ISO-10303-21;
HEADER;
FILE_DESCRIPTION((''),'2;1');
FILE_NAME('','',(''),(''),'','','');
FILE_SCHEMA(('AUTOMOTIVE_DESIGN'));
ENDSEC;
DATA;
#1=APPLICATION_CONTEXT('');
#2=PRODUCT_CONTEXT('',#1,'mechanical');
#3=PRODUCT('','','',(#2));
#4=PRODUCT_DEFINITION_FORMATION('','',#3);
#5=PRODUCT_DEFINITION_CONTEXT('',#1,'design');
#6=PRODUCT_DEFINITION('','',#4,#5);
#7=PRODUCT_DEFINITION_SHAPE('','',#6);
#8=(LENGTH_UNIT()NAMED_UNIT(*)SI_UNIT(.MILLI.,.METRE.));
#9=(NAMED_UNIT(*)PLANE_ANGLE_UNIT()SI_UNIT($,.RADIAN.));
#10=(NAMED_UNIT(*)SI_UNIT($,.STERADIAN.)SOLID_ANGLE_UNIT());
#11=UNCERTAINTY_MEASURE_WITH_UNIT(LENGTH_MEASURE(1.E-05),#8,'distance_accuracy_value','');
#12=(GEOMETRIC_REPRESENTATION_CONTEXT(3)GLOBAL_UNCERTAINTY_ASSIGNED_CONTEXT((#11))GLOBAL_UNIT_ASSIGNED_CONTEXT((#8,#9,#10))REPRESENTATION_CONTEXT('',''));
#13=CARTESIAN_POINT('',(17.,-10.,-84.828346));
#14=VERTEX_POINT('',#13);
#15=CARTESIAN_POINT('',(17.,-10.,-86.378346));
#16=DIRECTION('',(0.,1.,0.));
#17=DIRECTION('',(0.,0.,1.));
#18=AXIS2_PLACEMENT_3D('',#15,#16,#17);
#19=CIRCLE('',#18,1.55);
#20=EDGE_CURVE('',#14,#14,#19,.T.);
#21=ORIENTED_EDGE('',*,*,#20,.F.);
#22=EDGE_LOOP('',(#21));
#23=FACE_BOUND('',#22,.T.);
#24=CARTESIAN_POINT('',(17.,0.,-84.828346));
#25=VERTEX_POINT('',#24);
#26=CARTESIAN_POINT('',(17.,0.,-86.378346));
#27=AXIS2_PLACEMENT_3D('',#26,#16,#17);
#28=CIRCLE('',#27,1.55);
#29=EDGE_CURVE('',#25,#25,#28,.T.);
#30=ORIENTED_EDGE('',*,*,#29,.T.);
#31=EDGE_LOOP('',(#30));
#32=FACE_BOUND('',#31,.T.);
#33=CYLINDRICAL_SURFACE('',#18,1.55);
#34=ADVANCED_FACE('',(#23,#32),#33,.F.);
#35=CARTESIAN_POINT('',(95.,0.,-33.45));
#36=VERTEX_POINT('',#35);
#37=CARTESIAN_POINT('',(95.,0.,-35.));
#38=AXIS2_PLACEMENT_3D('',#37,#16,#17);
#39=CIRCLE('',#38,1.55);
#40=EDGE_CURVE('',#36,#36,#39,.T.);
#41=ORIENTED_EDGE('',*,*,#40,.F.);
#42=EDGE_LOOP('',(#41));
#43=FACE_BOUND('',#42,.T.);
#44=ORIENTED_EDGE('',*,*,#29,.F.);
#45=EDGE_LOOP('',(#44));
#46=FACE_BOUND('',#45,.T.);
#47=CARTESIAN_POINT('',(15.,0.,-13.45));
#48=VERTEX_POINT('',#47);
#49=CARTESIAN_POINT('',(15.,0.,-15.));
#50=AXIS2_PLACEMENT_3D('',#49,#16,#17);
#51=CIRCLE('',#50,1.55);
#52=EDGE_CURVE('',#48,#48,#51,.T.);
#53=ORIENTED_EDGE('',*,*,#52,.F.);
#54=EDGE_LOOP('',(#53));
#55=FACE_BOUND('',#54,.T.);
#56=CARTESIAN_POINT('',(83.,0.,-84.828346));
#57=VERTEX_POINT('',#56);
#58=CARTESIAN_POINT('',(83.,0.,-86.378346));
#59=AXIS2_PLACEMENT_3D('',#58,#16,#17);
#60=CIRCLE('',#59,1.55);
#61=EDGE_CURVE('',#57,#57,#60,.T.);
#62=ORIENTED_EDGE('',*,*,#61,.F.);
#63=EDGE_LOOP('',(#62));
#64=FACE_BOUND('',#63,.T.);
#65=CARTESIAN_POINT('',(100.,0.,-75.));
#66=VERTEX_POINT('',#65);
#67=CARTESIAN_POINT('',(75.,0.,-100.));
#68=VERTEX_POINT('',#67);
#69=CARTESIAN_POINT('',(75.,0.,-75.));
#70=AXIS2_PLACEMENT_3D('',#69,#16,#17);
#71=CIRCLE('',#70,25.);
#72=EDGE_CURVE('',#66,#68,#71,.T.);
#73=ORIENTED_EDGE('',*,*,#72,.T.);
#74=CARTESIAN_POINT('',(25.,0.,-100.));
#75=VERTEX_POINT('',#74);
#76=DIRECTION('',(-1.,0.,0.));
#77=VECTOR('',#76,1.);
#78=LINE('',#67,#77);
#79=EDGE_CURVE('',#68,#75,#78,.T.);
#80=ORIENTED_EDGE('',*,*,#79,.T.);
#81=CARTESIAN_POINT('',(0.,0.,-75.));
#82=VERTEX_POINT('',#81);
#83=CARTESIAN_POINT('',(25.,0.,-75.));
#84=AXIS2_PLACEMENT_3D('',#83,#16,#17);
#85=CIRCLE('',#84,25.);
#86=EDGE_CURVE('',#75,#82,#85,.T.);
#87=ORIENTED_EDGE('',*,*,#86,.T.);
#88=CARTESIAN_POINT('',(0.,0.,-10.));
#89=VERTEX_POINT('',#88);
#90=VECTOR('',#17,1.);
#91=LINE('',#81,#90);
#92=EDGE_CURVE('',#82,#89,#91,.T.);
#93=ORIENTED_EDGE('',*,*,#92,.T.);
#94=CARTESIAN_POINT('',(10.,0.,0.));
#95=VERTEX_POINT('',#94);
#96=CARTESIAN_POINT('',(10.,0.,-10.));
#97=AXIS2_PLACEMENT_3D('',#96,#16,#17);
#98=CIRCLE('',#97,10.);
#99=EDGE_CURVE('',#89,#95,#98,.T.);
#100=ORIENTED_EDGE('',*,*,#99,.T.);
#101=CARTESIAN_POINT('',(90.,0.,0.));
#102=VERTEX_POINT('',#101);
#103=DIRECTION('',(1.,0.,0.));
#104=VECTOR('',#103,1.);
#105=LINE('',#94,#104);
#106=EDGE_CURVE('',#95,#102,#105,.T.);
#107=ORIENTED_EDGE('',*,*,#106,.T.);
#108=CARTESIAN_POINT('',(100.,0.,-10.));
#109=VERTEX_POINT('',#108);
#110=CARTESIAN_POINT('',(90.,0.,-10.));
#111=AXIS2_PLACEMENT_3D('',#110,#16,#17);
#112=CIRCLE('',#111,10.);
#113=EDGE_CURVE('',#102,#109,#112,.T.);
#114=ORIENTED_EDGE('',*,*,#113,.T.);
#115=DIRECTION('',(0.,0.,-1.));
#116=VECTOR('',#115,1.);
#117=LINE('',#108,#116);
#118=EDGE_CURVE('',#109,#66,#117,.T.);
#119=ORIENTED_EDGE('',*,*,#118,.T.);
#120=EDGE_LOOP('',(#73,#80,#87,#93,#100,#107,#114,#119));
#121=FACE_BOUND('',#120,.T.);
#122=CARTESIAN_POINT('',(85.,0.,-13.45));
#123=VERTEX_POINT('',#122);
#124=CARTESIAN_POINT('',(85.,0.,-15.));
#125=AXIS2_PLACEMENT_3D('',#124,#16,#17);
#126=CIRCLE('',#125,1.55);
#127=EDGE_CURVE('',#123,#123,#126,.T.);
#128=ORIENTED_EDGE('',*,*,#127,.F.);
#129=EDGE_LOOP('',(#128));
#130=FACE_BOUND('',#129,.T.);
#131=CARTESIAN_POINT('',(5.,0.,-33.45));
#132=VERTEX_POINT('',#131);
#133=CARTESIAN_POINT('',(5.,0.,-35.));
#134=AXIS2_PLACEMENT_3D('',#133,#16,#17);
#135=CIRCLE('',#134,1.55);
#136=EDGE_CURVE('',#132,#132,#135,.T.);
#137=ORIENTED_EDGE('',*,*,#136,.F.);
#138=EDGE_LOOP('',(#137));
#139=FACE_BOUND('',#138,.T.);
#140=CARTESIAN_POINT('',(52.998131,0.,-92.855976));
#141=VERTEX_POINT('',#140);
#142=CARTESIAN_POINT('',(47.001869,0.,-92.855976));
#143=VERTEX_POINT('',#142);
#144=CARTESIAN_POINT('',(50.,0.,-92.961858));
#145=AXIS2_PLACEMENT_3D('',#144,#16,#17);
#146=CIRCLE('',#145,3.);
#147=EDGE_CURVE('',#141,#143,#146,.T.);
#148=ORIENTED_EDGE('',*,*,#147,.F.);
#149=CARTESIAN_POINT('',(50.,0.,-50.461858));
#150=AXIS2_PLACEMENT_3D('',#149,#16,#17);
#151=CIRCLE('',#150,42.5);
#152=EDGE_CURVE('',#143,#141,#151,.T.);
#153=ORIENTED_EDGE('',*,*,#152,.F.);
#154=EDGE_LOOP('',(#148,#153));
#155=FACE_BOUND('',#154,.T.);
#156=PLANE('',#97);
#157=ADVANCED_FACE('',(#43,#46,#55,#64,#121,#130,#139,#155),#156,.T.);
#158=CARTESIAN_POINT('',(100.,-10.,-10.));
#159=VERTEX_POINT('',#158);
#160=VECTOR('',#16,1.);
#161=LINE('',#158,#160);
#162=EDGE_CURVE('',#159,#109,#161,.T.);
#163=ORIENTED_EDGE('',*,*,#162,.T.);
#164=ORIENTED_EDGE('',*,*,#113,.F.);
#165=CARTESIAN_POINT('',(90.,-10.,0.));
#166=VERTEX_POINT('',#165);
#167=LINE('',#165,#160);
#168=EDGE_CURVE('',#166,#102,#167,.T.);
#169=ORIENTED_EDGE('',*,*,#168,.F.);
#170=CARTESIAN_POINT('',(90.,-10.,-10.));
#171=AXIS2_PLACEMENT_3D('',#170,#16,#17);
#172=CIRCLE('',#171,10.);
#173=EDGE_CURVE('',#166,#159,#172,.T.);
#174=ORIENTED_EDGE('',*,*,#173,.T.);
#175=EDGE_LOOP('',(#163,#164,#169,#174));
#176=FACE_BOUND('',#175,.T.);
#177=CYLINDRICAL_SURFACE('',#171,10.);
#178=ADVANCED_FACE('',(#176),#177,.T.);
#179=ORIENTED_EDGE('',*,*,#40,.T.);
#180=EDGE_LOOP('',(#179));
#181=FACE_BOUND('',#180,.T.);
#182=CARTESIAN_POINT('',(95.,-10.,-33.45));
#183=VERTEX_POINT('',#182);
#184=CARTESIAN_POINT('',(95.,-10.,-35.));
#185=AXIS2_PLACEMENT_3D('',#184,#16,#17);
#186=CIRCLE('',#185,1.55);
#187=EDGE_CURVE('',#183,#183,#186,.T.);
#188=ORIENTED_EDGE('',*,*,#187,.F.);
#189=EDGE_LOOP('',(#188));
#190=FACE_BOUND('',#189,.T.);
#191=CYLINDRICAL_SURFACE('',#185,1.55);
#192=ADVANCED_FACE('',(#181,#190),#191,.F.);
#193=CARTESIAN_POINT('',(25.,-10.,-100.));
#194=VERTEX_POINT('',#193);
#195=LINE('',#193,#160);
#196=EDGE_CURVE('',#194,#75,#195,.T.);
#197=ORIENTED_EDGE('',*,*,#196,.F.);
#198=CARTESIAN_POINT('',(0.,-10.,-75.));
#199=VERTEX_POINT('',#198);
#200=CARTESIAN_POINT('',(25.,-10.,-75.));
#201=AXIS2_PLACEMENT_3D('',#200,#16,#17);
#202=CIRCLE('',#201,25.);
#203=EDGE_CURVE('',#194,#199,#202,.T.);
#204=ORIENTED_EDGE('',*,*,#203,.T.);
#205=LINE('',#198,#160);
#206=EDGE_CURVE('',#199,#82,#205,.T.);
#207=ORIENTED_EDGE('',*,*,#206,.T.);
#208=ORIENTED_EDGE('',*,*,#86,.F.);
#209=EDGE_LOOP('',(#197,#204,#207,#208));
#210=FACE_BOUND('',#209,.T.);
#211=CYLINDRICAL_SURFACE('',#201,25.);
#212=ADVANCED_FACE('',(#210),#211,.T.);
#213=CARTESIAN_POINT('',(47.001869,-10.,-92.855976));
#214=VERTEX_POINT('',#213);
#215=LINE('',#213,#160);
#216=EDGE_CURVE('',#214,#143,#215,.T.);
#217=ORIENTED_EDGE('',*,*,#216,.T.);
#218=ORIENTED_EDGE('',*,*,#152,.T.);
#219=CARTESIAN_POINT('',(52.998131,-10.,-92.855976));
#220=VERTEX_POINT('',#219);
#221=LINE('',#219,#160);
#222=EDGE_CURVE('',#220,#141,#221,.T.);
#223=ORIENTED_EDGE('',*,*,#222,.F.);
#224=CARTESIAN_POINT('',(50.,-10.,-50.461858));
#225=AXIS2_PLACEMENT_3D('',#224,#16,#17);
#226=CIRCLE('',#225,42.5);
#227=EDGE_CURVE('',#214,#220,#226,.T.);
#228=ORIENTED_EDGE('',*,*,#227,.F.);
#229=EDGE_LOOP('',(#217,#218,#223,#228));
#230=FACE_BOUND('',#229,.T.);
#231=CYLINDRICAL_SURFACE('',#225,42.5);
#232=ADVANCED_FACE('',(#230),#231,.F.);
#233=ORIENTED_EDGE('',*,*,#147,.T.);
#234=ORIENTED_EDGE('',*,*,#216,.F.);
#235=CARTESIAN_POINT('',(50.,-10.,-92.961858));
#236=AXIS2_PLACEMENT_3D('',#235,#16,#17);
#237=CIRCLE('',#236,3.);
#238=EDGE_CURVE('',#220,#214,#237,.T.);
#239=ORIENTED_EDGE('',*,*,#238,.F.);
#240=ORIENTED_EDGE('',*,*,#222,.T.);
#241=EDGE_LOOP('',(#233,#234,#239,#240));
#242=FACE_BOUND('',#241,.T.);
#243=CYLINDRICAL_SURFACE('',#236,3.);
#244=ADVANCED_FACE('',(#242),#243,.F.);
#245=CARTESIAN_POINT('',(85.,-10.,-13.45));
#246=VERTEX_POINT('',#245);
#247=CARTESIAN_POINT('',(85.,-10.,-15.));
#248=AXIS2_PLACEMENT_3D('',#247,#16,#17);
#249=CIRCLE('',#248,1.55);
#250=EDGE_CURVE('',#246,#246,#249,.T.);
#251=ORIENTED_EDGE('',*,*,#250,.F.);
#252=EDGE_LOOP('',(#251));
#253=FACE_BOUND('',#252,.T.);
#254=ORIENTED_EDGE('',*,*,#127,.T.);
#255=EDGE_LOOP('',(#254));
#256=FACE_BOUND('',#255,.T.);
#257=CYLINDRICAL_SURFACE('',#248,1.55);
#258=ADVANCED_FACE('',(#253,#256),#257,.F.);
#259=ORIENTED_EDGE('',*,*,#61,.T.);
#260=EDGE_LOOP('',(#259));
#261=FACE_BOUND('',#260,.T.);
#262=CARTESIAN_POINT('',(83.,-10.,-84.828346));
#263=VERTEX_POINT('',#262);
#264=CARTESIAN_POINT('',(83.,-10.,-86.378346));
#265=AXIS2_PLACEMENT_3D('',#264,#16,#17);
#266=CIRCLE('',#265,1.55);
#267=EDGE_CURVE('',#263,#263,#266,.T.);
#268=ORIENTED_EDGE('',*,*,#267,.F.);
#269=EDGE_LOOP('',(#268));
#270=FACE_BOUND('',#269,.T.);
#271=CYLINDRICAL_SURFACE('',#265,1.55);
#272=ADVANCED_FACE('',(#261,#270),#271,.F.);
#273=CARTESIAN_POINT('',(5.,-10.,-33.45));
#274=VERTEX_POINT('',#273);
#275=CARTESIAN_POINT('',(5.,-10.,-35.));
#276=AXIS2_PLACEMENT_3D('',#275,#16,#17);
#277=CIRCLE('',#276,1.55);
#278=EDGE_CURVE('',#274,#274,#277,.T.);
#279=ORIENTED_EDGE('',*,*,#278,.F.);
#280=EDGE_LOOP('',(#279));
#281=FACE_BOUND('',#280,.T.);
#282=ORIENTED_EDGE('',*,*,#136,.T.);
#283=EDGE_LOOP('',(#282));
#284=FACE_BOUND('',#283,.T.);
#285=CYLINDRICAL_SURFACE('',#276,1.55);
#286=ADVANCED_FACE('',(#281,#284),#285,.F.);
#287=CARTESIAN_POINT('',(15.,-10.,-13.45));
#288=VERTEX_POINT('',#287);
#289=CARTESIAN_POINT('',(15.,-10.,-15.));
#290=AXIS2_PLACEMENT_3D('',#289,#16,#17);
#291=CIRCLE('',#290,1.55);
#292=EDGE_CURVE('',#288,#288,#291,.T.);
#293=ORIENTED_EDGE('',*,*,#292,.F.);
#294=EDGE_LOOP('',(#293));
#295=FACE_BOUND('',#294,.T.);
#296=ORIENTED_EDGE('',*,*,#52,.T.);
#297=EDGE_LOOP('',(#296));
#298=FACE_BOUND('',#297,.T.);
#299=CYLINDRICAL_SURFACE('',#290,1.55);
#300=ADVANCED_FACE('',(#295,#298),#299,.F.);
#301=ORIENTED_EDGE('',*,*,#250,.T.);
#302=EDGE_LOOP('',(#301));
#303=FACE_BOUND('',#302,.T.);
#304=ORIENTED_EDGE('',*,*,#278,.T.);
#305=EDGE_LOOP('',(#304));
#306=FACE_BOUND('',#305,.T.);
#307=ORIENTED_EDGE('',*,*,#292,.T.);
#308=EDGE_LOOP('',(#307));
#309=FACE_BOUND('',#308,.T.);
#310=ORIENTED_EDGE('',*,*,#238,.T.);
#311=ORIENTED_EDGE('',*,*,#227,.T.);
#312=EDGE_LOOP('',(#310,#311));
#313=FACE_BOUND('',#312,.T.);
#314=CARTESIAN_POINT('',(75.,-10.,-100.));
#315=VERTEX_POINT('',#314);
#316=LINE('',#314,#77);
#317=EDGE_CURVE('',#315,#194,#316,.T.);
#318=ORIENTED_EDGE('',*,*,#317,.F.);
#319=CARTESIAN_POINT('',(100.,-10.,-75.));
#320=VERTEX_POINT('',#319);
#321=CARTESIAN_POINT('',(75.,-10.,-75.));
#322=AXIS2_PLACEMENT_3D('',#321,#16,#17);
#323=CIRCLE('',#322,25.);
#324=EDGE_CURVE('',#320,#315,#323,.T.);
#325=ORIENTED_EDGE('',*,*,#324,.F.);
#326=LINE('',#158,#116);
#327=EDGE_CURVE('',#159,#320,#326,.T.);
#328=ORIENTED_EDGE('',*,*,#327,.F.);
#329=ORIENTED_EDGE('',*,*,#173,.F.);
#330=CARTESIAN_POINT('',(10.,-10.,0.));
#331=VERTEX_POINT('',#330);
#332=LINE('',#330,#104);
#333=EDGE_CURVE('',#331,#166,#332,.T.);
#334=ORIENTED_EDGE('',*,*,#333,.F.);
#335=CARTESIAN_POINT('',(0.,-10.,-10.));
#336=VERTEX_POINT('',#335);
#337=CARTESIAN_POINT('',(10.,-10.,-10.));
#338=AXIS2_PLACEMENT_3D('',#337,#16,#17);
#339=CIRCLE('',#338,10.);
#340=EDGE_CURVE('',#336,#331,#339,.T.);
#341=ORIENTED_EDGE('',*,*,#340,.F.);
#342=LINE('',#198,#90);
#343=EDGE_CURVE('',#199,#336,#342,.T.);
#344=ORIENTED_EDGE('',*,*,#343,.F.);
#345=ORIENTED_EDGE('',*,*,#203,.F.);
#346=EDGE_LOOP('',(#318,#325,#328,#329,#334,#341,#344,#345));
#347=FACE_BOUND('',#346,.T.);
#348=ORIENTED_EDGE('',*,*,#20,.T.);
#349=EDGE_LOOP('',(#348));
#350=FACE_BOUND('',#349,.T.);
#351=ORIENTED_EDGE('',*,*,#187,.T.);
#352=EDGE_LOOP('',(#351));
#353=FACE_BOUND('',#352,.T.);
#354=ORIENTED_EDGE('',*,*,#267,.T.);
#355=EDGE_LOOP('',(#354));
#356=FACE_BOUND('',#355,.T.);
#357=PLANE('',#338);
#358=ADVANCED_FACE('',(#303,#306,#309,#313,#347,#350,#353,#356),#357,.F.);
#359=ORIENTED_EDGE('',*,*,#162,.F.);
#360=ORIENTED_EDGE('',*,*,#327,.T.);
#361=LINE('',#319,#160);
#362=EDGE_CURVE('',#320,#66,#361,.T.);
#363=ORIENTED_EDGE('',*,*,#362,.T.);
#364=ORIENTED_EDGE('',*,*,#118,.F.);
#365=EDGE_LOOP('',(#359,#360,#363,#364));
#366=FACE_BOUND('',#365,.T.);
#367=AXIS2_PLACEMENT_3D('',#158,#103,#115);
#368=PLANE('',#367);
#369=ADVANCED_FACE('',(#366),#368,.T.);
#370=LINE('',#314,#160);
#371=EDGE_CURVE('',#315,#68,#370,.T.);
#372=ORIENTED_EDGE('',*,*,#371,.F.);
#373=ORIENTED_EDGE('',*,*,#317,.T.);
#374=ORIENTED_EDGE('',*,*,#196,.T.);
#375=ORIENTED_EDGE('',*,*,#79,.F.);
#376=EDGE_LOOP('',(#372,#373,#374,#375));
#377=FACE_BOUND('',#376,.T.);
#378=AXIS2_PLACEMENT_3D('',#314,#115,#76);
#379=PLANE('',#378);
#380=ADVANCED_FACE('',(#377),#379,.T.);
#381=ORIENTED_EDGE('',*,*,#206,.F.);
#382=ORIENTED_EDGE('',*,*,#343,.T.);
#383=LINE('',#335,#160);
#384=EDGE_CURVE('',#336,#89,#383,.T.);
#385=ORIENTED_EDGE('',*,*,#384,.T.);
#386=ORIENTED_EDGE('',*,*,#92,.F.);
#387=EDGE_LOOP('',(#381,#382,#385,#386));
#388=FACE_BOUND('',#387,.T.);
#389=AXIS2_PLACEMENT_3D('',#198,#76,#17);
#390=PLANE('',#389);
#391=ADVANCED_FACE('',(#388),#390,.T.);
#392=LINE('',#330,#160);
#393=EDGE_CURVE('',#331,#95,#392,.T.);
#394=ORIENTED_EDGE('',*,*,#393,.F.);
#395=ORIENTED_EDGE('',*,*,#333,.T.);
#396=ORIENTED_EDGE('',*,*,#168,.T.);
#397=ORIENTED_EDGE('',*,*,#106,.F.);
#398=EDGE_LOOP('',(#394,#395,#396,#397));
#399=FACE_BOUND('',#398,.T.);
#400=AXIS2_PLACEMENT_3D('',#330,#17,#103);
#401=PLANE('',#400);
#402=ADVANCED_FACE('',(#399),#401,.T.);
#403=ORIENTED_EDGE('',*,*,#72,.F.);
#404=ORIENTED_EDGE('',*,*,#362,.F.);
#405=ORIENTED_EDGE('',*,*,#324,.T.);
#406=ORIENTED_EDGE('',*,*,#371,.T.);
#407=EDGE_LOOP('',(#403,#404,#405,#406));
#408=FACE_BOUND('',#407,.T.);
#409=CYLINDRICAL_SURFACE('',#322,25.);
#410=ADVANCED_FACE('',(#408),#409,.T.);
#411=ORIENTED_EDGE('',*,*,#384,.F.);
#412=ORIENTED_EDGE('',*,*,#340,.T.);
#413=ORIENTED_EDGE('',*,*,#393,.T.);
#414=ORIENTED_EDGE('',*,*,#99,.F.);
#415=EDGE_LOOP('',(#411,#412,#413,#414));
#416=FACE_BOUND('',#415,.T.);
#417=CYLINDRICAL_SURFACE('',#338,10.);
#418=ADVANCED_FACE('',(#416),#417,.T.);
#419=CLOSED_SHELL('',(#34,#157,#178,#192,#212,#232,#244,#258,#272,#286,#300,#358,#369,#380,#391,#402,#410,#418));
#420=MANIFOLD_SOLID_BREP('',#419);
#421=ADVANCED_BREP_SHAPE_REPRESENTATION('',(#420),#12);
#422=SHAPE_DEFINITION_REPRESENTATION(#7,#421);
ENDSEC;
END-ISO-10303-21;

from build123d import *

# Parameters (mm, degrees)
DODANIE_WYCI_GNI_CIE1_DEPTH = 10
WYTNIJ_WYCI_GNI_CIE2_DEPTH  = 142.774468788
SZKIC5_R                    = 1.55
WYTNIJ_WYCI_GNI_CIE3_DEPTH  = 142.774468788


with BuildPart() as part:
    # Szkic1 → Dodanie-wyciągnięcie1 (new body)
    with BuildSketch(Plane(origin=(0, 0, 0), x_dir=(1, 0, 0), z_dir=(0, 1, 0))):
        with BuildLine():
            Line((10, 0), (90, 0))
            ThreePointArc((90, 0), (97.071067812, 2.928932188), (100, 10))
            Line((100, 10), (100, 75))
            ThreePointArc((100, 75), (92.67766953, 92.67766953), (75, 100))
            Line((75, 100), (25, 100))
            ThreePointArc((25, 100), (7.32233047, 92.67766953), (0, 75))
            Line((0, 75), (0, 10))
            ThreePointArc((0, 10), (2.928932188, 2.928932188), (10, 0))
        make_face()
    extrude(amount=-DODANIE_WYCI_GNI_CIE1_DEPTH)

    # Szkic4 → Wytnij-wyciągnięcie2 (cut, through all)
    with BuildSketch(Plane(origin=(0, 0, 0), x_dir=(1, 0, 0), z_dir=(0, 1, 0))):
        with BuildLine():
            ThreePointArc((47.001869094, 92.855975693), (50, 7.961858046), (52.998130906, 92.855975693))
            ThreePointArc((52.998130906, 92.855975693), (50, 95.961858046), (47.001869094, 92.855975693))
        make_face()
    extrude(amount=-WYTNIJ_WYCI_GNI_CIE2_DEPTH, mode=Mode.SUBTRACT)

    # Szkic5 → Wytnij-wyciągnięcie3 (cut, through all)
    with BuildSketch(Plane(origin=(0, 0, 0), x_dir=(1, 0, 0), z_dir=(0, 1, 0))):
        with Locations(Location((83, 86.378345537, 0), (0, 0, 270))):
            Circle(SZKIC5_R)
        with Locations(Location((85, 15, 0), (0, 0, 270))):
            Circle(SZKIC5_R)
        with Locations(Location((5, 35, 0), (0, 0, 270))):
            Circle(SZKIC5_R)
        with Locations(Location((95, 35, 0), (0, 0, 270))):
            Circle(SZKIC5_R)
        with Locations(Location((17, 86.378345537, 0), (0, 0, 270))):
            Circle(SZKIC5_R)
        with Locations(Location((15, 15, 0), (0, 0, 270))):
            Circle(SZKIC5_R)
    extrude(amount=-WYTNIJ_WYCI_GNI_CIE3_DEPTH, mode=Mode.SUBTRACT)


solid = part.part
